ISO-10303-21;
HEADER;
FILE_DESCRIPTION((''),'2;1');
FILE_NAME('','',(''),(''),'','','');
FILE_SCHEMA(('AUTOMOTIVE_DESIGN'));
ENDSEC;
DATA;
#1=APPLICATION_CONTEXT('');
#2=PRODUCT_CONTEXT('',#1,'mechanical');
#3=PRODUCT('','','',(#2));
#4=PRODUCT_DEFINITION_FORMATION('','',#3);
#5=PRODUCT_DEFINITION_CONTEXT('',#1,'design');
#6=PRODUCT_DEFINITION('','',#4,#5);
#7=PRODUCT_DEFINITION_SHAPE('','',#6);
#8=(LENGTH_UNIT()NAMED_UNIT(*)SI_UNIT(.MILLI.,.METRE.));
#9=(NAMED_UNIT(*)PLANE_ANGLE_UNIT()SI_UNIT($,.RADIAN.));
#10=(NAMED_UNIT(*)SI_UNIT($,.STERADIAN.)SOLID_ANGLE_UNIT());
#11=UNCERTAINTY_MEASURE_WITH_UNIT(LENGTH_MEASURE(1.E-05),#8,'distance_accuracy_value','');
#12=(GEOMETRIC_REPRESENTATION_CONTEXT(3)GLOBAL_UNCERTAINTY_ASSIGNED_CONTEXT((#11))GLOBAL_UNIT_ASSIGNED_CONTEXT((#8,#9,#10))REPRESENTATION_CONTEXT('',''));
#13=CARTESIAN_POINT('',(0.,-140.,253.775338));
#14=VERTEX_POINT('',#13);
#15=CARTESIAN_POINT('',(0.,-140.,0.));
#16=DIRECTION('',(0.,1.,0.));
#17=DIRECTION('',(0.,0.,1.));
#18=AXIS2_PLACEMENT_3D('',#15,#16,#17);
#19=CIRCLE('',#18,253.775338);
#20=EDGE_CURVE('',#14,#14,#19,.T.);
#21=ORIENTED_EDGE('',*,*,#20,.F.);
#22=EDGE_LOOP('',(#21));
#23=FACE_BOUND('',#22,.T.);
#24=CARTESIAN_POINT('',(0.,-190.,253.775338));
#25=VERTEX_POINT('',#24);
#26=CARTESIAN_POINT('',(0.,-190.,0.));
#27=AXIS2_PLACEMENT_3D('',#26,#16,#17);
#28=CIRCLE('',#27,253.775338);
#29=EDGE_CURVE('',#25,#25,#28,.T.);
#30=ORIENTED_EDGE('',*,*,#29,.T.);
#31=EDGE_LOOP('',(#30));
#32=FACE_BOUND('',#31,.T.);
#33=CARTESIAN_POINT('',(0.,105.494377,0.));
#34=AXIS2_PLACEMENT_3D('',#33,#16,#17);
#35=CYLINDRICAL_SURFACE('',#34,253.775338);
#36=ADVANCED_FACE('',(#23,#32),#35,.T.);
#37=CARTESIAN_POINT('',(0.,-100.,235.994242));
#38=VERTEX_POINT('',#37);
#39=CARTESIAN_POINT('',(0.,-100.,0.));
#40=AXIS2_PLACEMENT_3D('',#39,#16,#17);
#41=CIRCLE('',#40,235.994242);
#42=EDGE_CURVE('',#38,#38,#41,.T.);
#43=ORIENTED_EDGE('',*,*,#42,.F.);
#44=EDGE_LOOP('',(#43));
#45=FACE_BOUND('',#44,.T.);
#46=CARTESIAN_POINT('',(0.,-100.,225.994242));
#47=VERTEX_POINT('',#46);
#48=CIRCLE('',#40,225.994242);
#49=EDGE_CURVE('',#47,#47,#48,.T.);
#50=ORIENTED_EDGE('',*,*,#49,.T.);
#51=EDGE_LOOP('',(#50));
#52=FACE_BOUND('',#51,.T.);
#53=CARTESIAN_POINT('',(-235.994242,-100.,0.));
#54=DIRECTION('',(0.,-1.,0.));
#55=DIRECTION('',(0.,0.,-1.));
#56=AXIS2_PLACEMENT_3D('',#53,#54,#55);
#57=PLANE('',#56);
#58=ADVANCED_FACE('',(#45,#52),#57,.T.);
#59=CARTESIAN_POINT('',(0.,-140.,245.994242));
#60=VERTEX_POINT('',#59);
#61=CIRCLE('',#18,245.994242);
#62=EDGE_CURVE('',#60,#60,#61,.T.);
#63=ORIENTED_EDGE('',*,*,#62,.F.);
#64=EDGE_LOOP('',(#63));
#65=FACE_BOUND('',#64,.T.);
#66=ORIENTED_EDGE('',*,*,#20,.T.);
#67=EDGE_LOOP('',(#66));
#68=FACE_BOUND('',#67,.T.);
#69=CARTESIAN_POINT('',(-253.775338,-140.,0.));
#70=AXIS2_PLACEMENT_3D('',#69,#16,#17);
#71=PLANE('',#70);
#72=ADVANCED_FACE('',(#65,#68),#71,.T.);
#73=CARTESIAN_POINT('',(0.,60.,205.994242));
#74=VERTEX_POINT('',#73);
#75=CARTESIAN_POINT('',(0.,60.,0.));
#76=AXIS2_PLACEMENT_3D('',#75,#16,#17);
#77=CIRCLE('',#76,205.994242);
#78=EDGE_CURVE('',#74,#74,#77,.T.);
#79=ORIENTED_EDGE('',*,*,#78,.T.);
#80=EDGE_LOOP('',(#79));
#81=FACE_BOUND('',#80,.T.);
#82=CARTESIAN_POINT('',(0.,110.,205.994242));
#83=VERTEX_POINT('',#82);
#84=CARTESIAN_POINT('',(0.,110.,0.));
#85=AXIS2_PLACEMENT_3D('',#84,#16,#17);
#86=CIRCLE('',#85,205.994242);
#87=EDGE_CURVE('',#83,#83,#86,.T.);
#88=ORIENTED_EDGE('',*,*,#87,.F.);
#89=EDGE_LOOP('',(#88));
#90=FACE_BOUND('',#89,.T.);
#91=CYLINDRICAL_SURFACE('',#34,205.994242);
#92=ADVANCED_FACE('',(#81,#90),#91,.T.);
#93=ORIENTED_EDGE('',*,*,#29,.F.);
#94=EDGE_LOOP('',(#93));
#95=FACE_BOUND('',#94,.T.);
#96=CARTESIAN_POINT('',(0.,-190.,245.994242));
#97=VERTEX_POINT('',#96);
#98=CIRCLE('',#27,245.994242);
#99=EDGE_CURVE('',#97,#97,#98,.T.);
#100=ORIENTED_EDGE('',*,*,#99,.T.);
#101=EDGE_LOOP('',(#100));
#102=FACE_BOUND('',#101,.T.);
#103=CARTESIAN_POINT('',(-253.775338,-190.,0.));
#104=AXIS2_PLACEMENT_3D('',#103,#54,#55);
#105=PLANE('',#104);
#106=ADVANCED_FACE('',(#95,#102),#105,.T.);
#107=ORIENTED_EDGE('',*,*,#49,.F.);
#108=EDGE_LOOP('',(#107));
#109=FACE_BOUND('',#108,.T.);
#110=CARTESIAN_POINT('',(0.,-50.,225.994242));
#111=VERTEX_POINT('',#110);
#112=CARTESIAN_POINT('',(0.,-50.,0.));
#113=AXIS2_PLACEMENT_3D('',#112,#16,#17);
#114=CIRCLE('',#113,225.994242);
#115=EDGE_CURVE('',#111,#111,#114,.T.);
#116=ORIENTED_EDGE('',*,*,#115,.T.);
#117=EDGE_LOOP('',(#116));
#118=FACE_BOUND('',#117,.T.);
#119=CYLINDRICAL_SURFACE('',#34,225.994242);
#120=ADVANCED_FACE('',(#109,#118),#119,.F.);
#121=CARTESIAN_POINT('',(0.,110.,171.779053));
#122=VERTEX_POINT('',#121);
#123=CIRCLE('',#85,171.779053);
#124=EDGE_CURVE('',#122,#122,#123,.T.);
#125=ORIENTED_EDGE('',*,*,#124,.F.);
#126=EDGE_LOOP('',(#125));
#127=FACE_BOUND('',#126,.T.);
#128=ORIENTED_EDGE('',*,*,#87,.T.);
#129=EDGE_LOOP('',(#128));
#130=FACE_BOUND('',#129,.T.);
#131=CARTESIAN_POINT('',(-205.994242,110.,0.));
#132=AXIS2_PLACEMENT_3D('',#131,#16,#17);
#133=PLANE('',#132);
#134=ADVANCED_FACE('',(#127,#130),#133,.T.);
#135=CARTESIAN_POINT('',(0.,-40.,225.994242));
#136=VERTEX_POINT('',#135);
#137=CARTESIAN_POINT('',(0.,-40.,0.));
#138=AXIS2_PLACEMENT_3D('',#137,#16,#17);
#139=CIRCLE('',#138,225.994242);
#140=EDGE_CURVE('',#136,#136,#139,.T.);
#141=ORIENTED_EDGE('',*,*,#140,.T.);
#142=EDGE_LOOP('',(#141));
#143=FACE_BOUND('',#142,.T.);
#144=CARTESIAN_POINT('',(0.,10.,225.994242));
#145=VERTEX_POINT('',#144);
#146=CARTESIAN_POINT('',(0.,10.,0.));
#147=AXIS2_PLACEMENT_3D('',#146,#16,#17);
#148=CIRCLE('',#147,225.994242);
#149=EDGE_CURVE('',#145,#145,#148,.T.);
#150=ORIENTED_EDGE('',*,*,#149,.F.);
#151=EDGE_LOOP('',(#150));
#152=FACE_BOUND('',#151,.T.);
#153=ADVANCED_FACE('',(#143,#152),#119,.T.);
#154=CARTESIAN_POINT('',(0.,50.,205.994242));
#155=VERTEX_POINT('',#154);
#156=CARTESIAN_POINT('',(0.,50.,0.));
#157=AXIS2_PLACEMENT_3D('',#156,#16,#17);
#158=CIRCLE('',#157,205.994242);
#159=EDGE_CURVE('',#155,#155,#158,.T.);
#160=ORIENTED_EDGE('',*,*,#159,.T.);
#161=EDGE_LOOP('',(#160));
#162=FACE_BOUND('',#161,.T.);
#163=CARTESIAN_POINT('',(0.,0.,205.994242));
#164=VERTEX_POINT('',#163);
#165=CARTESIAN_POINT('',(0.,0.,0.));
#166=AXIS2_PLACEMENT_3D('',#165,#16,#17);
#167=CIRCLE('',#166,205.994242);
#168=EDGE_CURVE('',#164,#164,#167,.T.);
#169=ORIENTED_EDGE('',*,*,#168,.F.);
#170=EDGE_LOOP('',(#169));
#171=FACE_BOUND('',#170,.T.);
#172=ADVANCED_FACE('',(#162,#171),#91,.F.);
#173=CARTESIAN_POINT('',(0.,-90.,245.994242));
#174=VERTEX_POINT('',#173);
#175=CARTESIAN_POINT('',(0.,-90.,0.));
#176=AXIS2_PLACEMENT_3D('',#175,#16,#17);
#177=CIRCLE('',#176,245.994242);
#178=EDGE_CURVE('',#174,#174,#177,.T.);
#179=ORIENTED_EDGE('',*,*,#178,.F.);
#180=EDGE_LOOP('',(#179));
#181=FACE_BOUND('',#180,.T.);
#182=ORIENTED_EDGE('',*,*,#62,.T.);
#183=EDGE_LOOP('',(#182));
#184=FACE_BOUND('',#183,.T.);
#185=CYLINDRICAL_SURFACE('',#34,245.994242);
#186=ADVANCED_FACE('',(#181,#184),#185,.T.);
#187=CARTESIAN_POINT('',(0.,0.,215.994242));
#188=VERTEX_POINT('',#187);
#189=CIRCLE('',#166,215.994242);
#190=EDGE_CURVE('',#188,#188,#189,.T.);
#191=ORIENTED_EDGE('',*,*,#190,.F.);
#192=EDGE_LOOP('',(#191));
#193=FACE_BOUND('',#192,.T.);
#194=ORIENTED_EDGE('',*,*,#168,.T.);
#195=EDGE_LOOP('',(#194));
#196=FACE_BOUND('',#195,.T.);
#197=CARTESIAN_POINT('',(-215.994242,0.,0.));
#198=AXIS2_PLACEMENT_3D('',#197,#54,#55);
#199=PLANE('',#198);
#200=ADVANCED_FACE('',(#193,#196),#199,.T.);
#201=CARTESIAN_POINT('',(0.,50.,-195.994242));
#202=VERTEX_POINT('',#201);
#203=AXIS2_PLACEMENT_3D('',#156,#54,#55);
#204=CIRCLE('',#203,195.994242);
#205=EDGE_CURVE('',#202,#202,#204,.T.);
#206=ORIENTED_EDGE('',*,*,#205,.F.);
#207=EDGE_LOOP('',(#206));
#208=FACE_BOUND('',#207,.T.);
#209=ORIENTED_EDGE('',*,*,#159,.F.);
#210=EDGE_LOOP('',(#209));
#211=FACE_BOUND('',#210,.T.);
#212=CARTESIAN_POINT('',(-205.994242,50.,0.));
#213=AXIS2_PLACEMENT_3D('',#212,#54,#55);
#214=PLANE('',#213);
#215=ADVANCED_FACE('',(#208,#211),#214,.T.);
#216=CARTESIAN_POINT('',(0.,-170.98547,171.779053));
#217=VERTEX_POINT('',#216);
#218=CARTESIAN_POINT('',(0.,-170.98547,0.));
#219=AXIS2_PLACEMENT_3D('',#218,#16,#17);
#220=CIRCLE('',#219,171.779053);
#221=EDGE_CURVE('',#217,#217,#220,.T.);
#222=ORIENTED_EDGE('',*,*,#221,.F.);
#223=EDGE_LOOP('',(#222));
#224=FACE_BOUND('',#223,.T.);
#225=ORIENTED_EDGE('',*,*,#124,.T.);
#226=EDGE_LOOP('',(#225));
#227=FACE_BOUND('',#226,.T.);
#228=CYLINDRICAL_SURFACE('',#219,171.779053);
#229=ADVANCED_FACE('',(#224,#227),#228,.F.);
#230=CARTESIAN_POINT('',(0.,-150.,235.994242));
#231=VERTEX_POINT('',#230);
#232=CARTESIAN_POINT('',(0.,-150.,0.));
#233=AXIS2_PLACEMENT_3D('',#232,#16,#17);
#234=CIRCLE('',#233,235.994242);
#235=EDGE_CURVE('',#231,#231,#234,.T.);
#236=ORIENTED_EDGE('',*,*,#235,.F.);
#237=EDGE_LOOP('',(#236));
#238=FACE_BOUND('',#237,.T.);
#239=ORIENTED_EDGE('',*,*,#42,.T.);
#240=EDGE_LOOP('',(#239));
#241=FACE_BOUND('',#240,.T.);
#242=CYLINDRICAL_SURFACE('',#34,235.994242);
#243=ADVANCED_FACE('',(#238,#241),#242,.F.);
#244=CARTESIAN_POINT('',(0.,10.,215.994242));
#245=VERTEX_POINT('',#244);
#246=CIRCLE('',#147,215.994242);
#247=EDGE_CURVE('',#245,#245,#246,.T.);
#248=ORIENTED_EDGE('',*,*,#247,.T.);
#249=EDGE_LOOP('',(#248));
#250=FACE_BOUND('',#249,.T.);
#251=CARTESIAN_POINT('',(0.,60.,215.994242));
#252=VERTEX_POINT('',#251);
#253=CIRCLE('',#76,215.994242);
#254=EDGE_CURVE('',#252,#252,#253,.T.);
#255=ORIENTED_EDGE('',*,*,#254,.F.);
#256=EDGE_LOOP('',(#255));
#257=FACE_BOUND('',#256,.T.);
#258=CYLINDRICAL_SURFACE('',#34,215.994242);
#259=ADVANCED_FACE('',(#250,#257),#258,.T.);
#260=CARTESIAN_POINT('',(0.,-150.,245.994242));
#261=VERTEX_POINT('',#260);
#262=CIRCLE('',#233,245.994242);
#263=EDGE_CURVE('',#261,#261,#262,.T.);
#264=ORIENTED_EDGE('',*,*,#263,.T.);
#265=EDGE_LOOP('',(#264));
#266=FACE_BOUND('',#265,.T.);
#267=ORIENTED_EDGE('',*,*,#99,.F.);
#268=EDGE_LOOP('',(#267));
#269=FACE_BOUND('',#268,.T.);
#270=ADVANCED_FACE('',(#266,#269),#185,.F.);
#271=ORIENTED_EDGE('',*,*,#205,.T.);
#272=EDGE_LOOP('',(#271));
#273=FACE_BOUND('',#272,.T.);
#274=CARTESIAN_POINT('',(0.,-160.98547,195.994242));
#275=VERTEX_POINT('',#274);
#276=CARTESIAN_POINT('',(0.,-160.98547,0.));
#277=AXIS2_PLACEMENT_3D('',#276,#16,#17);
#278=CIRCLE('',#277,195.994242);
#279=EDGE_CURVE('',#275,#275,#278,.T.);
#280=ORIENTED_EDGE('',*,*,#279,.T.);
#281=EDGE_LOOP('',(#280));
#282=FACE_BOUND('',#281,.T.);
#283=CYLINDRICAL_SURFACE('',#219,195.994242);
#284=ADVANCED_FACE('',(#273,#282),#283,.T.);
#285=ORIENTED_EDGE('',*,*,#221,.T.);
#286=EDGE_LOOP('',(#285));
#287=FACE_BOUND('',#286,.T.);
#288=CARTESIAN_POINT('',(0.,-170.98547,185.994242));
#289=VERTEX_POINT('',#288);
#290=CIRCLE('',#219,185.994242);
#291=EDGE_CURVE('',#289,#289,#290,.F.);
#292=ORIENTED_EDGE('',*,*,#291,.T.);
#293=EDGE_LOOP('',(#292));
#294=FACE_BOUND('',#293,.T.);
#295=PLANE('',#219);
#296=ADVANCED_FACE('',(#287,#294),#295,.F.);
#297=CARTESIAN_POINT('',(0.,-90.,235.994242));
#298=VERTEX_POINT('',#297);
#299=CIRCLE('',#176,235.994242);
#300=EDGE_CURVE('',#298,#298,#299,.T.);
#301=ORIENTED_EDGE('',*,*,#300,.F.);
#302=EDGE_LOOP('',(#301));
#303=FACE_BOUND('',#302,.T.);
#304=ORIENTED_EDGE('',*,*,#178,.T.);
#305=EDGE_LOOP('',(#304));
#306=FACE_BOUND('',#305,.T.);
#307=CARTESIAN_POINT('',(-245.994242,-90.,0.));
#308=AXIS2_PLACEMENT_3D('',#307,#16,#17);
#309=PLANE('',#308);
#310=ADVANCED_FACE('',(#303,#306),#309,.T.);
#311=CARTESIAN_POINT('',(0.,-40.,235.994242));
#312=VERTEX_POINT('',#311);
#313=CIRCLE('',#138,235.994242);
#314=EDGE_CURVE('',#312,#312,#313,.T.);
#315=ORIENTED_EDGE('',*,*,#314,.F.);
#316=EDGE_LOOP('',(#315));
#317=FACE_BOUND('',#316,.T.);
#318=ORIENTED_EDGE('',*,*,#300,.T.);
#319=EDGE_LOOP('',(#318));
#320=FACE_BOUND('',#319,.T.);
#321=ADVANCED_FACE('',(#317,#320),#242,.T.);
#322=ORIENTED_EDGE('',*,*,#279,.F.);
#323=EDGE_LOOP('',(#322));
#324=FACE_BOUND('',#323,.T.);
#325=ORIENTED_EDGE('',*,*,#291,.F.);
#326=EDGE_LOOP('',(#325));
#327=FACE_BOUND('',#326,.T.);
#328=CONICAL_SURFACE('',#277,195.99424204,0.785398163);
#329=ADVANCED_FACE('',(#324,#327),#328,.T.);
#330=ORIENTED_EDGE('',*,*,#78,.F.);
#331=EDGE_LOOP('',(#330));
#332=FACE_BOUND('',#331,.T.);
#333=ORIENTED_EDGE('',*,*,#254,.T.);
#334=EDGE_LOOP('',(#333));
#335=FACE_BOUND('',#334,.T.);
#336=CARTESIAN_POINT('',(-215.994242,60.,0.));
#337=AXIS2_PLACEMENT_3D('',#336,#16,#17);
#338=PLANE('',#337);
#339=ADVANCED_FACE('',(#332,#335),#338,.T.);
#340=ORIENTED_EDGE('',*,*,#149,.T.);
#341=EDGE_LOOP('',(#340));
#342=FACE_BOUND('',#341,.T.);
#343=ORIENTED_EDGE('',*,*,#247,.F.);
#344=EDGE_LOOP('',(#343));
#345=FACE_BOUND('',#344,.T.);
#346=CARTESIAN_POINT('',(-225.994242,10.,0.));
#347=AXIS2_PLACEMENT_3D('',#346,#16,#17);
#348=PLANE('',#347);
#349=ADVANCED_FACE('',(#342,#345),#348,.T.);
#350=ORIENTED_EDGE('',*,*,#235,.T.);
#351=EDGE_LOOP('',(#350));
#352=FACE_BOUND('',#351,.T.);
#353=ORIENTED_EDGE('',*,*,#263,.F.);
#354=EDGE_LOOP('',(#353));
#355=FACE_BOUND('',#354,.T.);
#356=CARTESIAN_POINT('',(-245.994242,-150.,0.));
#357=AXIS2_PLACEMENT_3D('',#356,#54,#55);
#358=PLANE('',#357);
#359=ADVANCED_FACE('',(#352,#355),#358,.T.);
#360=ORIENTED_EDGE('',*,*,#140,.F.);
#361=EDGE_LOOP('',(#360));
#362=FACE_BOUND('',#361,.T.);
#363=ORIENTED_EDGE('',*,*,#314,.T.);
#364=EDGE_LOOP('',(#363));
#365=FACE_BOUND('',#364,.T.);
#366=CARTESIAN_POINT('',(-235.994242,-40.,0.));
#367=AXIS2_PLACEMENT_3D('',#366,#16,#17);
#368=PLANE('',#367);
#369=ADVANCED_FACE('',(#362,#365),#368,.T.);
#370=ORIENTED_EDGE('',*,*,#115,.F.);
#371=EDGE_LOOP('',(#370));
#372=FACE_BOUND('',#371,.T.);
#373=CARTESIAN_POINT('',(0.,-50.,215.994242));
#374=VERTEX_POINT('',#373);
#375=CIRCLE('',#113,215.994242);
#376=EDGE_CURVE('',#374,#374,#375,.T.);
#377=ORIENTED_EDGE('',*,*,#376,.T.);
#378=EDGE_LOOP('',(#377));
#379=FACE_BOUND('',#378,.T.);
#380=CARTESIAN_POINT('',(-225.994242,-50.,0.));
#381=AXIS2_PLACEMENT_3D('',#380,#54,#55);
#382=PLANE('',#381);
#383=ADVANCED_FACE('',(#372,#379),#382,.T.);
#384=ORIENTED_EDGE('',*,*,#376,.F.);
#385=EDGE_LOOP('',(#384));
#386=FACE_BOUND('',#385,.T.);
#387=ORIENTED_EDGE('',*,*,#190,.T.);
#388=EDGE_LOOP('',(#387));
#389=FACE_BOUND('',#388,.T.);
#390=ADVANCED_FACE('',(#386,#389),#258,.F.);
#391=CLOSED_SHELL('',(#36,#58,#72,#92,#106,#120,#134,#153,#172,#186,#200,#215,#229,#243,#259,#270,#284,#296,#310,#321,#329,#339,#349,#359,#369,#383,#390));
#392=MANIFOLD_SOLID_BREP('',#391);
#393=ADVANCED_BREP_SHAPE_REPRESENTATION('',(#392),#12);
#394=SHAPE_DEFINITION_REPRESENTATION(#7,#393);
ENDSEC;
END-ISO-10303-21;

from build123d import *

# Parameters (mm, degrees)
SKETCH9_R           = 195.99424204
SKETCH9_R_2         = 171.779053358
BOSS_EXTRUDE1_DEPTH = 280.985470498
CHAMFER1_SIZE       = 10


with BuildPart() as part:
    # Sketch4 → Revolve3 (revolve)
    with BuildSketch(Plane.XY, mode=Mode.PRIVATE) as revolve3_sk:
        Polygon((-253.775337615, -190), (-245.99424204, -190), (-245.99424204, -150), (-235.99424204, -150), (-235.99424204, -100), (-225.99424204, -100), (-225.99424204, -50), (-215.99424204, -50), (-215.99424204, 0), (-205.99424204, 0), (-205.99424204, 50), (-195.99424204, 50), (-195.99424204, 110), (-205.99424204, 110), (-205.99424204, 60), (-215.99424204, 60), (-215.99424204, 10), (-225.99424204, 10), (-225.99424204, -40), (-235.99424204, -40), (-235.99424204, -90), (-245.99424204, -90), (-245.99424204, -140), (-253.775337615, -140), align=None)
    revolve(revolve3_sk.sketch.rotate(Axis((0, 105.494376543, 0), (0, -1, 0)), 270), axis=Axis((0, 105.494376543, 0), (0, -1, 0)))

    # Sketch9 → Boss-Extrude1 (add)
    with BuildSketch(Plane(origin=(0, 110, 0), x_dir=(1, 0, 0), z_dir=(0, 1, 0))):
        with Locations(Location((0, 0, 0), (0, 0, 270))):
            Circle(SKETCH9_R)
        with Locations(Location((0, 0, 0), (0, 0, 270))):
            Circle(SKETCH9_R_2, mode=Mode.SUBTRACT)
    extrude(amount=-BOSS_EXTRUDE1_DEPTH)

    # Chamfer1
    chamfer1_edges = [part.edges().sort_by_distance(p)[0] for p in [
        (0, -170.985470498, -195.99424204),
    ]]
    chamfer(chamfer1_edges, length=CHAMFER1_SIZE)


solid = part.part
